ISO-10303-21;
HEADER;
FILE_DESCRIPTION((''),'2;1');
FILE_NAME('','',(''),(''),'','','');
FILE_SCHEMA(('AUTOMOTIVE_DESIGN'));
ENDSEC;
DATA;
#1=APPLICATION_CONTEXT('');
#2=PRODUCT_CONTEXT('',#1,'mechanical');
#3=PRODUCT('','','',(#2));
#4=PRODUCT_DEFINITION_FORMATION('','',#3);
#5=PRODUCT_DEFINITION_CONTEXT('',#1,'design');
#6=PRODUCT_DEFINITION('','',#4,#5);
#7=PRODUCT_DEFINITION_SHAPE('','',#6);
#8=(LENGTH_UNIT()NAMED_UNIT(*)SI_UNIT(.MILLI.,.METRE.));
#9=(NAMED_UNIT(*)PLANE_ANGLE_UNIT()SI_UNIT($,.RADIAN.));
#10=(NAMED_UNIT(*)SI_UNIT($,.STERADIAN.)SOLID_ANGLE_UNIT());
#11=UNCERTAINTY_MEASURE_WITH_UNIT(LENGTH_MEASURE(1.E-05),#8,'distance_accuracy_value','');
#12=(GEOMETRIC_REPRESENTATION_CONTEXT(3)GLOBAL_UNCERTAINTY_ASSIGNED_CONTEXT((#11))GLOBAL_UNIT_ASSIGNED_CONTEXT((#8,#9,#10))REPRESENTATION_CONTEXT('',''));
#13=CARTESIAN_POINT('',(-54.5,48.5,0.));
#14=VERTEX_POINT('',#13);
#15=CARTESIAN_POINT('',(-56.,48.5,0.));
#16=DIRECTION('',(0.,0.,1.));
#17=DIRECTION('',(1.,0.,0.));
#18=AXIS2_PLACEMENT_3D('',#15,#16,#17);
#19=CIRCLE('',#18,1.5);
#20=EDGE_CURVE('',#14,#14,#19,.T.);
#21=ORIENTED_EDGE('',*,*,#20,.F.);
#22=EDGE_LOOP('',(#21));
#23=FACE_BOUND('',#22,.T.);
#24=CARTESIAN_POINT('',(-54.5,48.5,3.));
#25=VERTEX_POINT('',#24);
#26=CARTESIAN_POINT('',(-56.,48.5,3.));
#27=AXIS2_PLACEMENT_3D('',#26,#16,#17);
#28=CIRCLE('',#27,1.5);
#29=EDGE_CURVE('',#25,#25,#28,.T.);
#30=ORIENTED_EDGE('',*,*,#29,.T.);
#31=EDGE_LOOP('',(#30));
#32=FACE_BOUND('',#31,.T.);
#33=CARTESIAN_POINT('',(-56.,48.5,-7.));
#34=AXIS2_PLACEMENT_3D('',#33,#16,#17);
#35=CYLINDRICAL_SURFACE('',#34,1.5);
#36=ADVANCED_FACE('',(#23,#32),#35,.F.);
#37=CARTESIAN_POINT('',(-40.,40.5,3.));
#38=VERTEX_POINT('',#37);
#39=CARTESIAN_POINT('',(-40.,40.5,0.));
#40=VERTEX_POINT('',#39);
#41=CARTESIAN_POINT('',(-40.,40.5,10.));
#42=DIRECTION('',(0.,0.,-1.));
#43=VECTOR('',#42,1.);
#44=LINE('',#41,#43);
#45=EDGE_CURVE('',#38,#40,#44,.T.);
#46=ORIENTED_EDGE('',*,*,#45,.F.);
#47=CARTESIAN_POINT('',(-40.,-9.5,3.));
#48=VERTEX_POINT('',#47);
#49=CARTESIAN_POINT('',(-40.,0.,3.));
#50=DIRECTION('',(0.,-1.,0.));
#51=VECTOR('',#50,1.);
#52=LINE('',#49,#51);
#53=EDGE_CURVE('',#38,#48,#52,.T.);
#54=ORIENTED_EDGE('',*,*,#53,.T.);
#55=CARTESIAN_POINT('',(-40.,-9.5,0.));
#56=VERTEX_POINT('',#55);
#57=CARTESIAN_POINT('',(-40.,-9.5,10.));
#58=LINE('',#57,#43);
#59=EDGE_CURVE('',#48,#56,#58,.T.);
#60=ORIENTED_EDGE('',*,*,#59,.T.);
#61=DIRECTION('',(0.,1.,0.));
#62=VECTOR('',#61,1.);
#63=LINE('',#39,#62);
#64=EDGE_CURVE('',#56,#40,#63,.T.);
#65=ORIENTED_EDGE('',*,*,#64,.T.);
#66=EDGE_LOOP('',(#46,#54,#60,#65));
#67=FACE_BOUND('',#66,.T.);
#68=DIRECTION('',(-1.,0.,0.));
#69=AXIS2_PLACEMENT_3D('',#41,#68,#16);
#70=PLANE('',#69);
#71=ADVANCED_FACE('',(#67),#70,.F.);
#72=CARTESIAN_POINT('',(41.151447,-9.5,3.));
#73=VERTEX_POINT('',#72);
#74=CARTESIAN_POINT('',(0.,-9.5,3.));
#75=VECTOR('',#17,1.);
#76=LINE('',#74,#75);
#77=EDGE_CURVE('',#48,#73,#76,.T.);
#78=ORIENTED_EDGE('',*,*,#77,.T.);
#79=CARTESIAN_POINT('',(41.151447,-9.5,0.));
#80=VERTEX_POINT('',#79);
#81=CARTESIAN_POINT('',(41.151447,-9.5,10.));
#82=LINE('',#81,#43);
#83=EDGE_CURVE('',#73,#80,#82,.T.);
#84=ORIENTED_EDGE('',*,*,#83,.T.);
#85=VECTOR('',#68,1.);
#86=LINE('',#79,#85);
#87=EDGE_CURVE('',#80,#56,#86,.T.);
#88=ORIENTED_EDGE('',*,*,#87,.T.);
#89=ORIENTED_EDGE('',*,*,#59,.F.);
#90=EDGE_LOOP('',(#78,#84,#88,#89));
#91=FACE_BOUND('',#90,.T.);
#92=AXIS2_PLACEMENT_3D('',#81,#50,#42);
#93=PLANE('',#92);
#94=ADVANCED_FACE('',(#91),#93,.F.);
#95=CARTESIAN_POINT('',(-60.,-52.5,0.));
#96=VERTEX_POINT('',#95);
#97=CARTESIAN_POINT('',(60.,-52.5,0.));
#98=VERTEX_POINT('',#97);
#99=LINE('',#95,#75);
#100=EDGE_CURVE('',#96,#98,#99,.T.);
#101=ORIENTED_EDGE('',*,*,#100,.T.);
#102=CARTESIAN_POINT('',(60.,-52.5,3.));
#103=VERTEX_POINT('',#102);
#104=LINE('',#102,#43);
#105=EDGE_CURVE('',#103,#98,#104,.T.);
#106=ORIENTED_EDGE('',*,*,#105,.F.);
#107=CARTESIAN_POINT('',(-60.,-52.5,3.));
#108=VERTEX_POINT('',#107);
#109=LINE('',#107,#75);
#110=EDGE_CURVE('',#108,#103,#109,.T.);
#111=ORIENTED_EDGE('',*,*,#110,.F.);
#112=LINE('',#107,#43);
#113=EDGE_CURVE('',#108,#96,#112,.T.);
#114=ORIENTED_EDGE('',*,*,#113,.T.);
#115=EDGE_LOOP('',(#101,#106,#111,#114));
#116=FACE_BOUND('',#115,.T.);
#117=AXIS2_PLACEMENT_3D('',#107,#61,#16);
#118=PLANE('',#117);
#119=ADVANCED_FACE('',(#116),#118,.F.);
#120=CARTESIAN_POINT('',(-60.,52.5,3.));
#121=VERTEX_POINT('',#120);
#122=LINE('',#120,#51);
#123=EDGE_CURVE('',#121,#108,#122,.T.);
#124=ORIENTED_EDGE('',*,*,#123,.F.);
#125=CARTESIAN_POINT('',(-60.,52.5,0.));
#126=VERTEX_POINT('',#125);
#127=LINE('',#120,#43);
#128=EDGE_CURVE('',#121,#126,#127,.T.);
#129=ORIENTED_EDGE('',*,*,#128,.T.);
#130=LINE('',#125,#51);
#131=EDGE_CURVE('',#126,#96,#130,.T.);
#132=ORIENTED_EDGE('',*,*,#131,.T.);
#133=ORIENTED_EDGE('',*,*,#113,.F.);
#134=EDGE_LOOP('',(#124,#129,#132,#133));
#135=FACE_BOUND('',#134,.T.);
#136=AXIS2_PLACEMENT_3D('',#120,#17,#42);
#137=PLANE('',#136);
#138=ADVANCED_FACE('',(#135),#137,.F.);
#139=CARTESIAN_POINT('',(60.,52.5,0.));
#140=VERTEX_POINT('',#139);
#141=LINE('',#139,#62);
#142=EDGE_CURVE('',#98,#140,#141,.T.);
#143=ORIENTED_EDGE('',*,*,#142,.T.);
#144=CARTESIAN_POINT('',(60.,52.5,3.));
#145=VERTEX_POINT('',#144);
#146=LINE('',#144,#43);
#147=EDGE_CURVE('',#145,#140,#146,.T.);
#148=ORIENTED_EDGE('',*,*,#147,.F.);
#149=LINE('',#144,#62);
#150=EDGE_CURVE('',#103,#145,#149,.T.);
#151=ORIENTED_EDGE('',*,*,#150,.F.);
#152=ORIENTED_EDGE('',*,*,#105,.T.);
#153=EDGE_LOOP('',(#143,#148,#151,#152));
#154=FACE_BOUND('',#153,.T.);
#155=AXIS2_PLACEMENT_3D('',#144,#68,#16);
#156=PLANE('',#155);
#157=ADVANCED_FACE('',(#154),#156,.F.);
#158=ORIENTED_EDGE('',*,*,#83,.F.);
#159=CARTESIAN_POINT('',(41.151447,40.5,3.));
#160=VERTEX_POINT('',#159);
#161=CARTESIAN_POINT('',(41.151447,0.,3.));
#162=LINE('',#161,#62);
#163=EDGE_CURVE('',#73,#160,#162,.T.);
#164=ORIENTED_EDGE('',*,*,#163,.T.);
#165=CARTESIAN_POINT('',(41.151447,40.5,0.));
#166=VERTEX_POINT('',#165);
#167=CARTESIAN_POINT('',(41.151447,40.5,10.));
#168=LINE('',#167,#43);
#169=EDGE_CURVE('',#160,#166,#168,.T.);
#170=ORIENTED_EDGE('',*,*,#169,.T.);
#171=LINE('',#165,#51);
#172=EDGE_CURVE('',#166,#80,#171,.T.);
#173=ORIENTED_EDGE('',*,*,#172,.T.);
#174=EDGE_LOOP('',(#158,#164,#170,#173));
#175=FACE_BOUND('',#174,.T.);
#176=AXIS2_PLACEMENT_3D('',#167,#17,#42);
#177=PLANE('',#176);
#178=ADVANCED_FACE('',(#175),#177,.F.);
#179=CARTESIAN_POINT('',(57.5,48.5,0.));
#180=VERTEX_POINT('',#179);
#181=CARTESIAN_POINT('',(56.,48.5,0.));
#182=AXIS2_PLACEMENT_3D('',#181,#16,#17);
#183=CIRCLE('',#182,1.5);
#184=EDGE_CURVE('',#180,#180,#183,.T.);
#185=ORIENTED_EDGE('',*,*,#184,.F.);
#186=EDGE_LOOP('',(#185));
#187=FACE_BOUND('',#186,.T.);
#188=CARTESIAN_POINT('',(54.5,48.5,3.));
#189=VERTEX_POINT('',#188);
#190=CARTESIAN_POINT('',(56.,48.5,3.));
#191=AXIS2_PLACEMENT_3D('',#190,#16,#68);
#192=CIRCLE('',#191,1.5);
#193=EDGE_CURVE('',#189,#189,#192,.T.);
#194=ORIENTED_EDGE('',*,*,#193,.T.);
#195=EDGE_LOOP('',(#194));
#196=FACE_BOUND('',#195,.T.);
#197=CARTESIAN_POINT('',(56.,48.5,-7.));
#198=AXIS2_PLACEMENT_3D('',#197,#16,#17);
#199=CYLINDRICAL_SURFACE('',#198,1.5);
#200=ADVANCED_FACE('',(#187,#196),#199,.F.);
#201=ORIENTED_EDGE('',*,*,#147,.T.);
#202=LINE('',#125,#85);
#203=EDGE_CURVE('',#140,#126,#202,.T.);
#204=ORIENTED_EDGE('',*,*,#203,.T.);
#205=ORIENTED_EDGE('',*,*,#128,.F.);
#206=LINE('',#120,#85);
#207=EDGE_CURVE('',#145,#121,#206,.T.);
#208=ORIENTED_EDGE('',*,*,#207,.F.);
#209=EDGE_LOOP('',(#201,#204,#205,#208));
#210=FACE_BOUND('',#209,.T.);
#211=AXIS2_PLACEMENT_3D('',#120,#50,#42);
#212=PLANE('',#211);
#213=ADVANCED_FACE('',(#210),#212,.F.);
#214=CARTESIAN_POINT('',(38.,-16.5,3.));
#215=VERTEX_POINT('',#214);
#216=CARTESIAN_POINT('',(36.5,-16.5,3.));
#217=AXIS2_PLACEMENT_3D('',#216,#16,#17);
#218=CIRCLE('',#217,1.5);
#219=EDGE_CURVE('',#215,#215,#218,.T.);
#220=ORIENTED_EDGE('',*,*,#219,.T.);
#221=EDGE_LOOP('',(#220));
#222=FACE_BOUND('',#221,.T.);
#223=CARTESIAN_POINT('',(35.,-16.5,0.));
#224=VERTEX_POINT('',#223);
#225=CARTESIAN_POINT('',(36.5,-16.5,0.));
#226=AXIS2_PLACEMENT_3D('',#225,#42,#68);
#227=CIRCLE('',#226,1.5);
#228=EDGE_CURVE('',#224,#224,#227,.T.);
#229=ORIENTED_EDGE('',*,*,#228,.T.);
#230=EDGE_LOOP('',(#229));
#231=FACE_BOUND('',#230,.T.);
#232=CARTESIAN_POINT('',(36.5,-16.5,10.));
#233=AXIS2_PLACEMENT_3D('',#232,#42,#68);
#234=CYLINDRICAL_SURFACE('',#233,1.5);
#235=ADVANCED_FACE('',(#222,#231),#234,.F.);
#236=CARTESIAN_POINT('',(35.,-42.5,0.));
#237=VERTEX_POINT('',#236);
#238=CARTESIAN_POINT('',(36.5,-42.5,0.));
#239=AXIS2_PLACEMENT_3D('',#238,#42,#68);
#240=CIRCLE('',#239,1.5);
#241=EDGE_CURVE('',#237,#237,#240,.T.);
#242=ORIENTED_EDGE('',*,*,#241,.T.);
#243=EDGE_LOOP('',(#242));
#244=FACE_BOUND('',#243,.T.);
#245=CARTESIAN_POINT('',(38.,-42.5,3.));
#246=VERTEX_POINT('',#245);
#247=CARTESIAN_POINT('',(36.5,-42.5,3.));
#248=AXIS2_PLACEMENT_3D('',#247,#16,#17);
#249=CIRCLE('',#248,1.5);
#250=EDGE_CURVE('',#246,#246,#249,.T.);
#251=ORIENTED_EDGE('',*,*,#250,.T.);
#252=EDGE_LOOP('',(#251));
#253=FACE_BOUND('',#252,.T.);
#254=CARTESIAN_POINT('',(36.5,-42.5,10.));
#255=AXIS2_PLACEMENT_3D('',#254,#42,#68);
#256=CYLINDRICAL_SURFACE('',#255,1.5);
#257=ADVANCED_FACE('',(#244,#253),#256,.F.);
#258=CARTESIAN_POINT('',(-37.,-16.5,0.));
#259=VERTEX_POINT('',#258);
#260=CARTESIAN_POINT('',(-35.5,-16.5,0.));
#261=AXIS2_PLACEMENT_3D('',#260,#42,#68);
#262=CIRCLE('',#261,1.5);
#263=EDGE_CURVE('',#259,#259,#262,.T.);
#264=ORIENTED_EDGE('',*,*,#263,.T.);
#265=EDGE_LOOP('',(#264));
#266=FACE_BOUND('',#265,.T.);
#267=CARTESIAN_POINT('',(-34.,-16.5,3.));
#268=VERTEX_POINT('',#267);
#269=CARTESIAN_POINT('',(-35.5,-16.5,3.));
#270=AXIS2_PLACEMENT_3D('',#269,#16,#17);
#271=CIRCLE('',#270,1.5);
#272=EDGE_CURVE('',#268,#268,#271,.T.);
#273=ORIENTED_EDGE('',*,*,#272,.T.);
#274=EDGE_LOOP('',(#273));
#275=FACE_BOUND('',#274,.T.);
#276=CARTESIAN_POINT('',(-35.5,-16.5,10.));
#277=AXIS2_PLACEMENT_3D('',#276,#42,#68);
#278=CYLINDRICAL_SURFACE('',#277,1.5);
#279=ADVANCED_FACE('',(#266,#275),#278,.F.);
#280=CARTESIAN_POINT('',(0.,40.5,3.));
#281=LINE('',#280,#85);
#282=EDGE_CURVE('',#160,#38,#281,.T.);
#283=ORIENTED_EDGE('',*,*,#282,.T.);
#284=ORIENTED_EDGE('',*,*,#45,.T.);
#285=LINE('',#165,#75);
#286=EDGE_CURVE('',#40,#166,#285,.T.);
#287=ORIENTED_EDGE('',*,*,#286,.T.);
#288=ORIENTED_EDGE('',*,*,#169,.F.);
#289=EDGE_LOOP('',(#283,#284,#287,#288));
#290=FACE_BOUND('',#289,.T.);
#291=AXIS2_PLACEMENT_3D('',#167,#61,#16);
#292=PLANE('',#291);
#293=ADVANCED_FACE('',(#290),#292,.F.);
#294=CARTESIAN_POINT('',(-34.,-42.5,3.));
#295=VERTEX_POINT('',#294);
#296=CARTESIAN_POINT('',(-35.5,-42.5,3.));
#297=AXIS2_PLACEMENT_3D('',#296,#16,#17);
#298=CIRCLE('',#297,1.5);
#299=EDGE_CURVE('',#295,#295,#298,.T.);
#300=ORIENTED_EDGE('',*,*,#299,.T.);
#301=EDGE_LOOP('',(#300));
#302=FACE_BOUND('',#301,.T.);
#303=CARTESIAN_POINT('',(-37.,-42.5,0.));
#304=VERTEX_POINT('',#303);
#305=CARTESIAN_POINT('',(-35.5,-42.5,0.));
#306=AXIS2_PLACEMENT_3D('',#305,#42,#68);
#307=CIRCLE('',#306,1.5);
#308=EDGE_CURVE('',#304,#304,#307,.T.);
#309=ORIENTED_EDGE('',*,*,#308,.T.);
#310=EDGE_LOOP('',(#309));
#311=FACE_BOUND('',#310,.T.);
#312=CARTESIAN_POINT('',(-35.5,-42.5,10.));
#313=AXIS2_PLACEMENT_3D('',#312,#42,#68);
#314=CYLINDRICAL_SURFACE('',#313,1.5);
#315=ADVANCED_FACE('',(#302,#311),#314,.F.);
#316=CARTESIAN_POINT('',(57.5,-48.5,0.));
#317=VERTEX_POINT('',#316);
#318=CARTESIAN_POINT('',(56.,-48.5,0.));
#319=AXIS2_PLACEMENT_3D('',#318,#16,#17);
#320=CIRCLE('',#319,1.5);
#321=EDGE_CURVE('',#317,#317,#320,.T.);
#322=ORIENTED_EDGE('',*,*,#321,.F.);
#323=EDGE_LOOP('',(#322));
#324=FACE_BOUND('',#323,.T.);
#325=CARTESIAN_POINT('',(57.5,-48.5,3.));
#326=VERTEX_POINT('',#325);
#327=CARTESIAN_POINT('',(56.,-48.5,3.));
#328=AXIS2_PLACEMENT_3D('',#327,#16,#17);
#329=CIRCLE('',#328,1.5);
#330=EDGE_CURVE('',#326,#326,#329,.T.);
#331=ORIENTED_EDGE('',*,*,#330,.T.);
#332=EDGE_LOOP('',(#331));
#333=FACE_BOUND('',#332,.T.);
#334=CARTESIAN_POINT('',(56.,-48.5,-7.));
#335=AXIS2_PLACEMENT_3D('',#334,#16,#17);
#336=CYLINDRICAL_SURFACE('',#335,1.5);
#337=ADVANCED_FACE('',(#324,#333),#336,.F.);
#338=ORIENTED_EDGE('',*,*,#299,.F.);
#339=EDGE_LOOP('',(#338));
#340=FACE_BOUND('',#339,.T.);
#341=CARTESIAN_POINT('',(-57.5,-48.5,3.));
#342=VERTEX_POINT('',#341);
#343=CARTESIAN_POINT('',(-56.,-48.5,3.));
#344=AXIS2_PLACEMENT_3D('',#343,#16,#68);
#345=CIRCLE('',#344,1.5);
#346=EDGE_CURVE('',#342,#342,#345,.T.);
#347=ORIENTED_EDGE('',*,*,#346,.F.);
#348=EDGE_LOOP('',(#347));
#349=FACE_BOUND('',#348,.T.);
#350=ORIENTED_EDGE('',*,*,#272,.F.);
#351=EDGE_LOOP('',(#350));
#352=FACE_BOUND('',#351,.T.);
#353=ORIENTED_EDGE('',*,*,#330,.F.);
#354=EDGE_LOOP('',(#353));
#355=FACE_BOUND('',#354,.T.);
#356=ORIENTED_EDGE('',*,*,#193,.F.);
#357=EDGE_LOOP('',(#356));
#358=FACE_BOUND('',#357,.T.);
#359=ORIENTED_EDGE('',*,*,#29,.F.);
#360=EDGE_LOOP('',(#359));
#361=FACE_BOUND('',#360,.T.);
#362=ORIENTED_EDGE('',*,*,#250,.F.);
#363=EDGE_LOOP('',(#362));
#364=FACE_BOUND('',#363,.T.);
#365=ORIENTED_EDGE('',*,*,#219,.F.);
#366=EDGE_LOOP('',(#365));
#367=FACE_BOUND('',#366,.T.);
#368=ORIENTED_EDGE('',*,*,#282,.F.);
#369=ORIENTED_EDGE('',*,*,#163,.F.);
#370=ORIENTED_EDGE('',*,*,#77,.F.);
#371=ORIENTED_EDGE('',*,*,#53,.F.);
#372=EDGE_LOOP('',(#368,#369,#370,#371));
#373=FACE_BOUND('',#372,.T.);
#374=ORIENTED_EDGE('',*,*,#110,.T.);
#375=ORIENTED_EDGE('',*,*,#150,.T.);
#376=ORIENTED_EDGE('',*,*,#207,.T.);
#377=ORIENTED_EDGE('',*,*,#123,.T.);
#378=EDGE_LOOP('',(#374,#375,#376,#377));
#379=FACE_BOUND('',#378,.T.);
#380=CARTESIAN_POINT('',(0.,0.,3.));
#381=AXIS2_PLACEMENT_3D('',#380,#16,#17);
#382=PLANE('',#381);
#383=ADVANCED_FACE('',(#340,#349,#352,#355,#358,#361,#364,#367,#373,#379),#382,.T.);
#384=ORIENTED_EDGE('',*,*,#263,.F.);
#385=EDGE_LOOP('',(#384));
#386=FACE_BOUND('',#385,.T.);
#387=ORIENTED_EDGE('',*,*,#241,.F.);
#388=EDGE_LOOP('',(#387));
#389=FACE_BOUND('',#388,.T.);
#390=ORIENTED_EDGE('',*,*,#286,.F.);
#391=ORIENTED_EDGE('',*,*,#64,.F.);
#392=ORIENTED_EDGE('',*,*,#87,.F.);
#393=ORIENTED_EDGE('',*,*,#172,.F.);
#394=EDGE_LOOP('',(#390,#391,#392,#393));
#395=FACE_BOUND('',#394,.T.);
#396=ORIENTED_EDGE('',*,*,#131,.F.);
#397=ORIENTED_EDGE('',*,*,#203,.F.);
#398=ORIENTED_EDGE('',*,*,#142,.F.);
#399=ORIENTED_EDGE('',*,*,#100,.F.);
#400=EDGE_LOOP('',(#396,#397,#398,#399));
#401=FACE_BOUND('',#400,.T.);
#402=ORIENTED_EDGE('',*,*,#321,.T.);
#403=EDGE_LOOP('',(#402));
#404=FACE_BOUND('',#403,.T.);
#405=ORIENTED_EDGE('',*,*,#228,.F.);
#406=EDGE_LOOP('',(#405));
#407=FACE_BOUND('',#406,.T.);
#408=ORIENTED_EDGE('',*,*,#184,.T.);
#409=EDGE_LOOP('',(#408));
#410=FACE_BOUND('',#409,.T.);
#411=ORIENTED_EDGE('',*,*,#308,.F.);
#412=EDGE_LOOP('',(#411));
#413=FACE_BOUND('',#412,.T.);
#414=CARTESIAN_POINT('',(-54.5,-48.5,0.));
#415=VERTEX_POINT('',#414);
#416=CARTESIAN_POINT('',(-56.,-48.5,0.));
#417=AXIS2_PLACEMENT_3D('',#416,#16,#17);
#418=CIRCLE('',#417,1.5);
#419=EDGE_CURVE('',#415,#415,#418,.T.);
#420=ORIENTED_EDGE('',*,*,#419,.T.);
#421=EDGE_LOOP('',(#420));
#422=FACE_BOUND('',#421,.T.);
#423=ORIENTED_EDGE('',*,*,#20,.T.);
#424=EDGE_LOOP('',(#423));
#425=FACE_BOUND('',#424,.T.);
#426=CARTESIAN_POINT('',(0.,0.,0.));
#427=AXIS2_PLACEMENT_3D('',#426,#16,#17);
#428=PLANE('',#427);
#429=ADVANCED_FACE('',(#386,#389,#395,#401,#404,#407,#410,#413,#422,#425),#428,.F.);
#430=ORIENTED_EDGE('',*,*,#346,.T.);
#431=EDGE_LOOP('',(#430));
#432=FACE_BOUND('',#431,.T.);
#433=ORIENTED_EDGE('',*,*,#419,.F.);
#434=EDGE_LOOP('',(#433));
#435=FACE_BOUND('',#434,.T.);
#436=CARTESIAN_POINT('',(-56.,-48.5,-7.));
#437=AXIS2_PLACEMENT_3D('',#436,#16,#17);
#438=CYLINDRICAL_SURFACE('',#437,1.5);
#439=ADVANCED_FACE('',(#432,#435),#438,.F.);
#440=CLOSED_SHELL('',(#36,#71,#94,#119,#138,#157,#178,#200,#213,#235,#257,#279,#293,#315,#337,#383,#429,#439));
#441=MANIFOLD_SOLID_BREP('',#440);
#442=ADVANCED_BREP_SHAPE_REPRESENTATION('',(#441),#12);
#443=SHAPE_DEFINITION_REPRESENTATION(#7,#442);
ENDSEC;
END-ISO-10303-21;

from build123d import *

# Parameters (mm, degrees)
SKETCH_1_W          = 120
SKETCH_1_H          = 105
EXTRUDE_1_DEPTH     = 3
SKETCH_2_R          = 1.5
CUT_EXTRUDE_1_DEPTH = 10
SKETCH_3_R          = 1.5
SKETCH_3_W          = 81.151446905
SKETCH_3_H          = 50
CUT_EXTRUDE_2_DEPTH = 10


with BuildPart() as part:
    # 草图1 → 凸台-拉伸1 (new body)
    with BuildSketch(Plane.XY):
        Rectangle(SKETCH_1_W, SKETCH_1_H)
    extrude(amount=EXTRUDE_1_DEPTH)

    # 草图2 → 切除-拉伸1 (cut)
    with BuildSketch(Plane.XY.offset(3)):
        with Locations((-56, 48.5)):
            Circle(SKETCH_2_R)
        with Locations((56, 48.5)):
            Circle(SKETCH_2_R)
        with Locations((56, -48.5)):
            Circle(SKETCH_2_R)
        with Locations((-56, -48.5)):
            Circle(SKETCH_2_R)
    extrude(amount=-CUT_EXTRUDE_1_DEPTH, mode=Mode.SUBTRACT)

    # 草图3 → 切除-拉伸2 (cut)
    with BuildSketch(Plane(origin=(0, 0, 0), x_dir=(-1, 0, 0), z_dir=(0, 0, -1))):
        with Locations((-36.5, -42.5)):
            Circle(SKETCH_3_R)
        with Locations((35.5, -42.5)):
            Circle(SKETCH_3_R)
        with Locations((-36.5, -16.5)):
            Circle(SKETCH_3_R)
        with Locations((35.5, -16.5)):
            Circle(SKETCH_3_R)
        with Locations((-0.575723453, 15.5)):
            Rectangle(SKETCH_3_W, SKETCH_3_H)
    extrude(amount=-CUT_EXTRUDE_2_DEPTH, mode=Mode.SUBTRACT)


solid = part.part
